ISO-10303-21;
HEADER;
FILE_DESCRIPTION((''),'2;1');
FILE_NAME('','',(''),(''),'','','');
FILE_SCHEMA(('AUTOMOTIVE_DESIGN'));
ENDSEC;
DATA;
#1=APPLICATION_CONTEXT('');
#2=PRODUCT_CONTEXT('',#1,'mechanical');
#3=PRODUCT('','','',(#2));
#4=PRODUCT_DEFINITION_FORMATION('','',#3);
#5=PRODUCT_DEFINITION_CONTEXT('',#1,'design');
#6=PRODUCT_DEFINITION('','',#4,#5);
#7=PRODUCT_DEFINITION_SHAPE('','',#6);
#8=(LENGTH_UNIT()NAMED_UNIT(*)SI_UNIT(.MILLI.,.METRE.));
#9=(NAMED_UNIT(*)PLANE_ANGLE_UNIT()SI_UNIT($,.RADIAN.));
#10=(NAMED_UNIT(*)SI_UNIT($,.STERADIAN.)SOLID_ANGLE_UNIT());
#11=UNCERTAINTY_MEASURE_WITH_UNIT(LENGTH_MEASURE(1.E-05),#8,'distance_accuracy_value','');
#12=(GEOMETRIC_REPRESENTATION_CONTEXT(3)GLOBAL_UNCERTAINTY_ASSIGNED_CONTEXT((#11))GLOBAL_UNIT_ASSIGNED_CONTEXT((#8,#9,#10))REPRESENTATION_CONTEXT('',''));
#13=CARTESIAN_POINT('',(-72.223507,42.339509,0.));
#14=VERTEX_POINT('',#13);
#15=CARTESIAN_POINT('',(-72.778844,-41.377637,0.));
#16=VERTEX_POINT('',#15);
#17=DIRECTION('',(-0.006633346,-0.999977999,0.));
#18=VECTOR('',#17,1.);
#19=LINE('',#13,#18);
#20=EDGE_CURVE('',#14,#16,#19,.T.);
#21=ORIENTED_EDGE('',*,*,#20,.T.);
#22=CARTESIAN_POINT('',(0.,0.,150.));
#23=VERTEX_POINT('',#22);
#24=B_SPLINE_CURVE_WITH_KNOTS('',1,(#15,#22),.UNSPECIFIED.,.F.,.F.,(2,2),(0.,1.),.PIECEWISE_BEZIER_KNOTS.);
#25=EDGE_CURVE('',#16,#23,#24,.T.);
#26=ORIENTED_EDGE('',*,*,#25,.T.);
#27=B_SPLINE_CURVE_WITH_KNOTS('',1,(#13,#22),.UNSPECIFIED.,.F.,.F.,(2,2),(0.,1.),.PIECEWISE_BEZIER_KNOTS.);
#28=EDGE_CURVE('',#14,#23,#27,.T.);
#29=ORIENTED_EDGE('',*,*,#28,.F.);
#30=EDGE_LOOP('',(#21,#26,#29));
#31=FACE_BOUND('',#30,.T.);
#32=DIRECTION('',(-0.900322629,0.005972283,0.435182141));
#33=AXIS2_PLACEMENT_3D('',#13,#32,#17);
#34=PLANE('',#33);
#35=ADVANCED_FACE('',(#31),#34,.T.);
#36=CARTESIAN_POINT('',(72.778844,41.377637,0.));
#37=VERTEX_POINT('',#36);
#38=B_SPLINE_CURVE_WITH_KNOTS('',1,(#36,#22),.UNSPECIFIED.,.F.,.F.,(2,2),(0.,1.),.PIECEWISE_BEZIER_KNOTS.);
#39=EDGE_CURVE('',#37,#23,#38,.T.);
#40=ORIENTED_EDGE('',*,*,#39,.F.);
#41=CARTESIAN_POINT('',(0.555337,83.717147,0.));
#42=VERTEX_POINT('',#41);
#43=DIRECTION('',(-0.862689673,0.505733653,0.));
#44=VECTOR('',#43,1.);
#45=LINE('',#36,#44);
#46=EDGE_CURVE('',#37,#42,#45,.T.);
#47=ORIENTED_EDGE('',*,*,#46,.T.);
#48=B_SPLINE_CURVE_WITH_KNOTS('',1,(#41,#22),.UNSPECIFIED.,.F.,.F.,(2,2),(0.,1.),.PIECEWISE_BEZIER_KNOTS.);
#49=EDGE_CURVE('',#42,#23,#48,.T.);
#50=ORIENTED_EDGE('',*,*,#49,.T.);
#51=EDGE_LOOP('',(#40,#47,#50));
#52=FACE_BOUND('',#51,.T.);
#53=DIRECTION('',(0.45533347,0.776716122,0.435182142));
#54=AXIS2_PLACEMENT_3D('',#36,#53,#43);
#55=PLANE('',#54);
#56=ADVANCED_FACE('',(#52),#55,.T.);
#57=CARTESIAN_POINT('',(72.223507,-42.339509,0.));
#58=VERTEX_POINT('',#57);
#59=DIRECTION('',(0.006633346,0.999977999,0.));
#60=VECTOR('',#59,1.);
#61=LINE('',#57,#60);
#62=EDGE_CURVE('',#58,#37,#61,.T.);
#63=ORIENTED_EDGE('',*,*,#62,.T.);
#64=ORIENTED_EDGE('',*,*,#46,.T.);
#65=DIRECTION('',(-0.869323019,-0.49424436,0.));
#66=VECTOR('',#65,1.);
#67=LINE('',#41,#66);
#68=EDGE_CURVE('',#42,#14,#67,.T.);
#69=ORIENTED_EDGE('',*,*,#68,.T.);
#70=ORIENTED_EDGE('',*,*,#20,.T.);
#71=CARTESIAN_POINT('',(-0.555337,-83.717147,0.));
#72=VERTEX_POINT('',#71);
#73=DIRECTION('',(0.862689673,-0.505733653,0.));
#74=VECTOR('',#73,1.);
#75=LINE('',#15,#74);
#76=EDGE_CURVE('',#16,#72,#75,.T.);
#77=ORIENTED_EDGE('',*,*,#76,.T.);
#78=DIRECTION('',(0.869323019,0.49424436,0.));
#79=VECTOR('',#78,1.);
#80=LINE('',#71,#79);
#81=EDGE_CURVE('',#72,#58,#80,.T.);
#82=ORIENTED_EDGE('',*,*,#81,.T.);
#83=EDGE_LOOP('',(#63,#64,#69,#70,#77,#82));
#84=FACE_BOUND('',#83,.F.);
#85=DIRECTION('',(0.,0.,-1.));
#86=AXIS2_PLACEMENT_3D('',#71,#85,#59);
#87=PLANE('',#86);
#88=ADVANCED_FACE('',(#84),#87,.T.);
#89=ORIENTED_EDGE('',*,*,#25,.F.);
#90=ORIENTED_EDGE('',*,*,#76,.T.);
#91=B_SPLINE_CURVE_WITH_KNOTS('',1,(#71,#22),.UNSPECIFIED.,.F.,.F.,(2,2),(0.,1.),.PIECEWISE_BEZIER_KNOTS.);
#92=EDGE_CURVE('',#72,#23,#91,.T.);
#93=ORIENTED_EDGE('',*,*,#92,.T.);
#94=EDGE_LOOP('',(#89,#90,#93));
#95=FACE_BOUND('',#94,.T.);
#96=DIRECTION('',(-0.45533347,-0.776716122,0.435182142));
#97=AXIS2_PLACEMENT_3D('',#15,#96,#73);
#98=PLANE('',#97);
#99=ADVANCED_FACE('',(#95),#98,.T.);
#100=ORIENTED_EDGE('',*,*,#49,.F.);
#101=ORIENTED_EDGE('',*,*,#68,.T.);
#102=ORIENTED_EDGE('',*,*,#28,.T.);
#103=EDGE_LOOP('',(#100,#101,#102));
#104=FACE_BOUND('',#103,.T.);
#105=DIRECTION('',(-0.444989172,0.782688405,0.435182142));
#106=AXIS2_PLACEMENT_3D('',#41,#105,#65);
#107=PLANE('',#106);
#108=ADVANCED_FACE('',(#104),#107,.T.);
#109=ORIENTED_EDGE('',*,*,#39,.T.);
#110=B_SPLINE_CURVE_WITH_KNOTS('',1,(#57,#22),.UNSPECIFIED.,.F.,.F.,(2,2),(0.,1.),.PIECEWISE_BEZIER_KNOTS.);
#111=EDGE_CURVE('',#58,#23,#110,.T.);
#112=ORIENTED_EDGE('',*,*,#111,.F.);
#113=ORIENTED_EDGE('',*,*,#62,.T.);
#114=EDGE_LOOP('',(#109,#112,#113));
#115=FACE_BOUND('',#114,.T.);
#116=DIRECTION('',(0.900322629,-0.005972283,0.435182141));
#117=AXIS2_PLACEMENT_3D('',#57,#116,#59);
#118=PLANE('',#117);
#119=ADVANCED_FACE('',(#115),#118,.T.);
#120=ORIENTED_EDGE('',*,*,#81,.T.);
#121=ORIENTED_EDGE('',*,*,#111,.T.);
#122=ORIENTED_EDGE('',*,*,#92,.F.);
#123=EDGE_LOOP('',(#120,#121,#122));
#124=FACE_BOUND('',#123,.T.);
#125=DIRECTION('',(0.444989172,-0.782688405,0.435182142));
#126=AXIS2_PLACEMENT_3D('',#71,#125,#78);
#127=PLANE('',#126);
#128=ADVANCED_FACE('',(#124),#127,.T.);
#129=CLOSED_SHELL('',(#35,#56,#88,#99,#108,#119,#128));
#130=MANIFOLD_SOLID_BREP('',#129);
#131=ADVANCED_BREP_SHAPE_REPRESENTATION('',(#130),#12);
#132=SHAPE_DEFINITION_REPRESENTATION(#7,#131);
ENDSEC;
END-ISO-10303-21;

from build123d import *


with BuildPart() as f3:
    # F0 (on Top) → F3 section 0
    with BuildSketch(Plane.XY, mode=Mode.PRIVATE) as f3_s0:
        Polygon((-0.555337, -83.717147), (72.223507, -42.339509), (72.778844, 41.377637), (0.555337, 83.717147), (-72.223507, 42.339509), (-72.778844, -41.377637), align=None)
    loft([f3_s0.sketch, Vertex(0, 0, 150)])


solid = f3.part
